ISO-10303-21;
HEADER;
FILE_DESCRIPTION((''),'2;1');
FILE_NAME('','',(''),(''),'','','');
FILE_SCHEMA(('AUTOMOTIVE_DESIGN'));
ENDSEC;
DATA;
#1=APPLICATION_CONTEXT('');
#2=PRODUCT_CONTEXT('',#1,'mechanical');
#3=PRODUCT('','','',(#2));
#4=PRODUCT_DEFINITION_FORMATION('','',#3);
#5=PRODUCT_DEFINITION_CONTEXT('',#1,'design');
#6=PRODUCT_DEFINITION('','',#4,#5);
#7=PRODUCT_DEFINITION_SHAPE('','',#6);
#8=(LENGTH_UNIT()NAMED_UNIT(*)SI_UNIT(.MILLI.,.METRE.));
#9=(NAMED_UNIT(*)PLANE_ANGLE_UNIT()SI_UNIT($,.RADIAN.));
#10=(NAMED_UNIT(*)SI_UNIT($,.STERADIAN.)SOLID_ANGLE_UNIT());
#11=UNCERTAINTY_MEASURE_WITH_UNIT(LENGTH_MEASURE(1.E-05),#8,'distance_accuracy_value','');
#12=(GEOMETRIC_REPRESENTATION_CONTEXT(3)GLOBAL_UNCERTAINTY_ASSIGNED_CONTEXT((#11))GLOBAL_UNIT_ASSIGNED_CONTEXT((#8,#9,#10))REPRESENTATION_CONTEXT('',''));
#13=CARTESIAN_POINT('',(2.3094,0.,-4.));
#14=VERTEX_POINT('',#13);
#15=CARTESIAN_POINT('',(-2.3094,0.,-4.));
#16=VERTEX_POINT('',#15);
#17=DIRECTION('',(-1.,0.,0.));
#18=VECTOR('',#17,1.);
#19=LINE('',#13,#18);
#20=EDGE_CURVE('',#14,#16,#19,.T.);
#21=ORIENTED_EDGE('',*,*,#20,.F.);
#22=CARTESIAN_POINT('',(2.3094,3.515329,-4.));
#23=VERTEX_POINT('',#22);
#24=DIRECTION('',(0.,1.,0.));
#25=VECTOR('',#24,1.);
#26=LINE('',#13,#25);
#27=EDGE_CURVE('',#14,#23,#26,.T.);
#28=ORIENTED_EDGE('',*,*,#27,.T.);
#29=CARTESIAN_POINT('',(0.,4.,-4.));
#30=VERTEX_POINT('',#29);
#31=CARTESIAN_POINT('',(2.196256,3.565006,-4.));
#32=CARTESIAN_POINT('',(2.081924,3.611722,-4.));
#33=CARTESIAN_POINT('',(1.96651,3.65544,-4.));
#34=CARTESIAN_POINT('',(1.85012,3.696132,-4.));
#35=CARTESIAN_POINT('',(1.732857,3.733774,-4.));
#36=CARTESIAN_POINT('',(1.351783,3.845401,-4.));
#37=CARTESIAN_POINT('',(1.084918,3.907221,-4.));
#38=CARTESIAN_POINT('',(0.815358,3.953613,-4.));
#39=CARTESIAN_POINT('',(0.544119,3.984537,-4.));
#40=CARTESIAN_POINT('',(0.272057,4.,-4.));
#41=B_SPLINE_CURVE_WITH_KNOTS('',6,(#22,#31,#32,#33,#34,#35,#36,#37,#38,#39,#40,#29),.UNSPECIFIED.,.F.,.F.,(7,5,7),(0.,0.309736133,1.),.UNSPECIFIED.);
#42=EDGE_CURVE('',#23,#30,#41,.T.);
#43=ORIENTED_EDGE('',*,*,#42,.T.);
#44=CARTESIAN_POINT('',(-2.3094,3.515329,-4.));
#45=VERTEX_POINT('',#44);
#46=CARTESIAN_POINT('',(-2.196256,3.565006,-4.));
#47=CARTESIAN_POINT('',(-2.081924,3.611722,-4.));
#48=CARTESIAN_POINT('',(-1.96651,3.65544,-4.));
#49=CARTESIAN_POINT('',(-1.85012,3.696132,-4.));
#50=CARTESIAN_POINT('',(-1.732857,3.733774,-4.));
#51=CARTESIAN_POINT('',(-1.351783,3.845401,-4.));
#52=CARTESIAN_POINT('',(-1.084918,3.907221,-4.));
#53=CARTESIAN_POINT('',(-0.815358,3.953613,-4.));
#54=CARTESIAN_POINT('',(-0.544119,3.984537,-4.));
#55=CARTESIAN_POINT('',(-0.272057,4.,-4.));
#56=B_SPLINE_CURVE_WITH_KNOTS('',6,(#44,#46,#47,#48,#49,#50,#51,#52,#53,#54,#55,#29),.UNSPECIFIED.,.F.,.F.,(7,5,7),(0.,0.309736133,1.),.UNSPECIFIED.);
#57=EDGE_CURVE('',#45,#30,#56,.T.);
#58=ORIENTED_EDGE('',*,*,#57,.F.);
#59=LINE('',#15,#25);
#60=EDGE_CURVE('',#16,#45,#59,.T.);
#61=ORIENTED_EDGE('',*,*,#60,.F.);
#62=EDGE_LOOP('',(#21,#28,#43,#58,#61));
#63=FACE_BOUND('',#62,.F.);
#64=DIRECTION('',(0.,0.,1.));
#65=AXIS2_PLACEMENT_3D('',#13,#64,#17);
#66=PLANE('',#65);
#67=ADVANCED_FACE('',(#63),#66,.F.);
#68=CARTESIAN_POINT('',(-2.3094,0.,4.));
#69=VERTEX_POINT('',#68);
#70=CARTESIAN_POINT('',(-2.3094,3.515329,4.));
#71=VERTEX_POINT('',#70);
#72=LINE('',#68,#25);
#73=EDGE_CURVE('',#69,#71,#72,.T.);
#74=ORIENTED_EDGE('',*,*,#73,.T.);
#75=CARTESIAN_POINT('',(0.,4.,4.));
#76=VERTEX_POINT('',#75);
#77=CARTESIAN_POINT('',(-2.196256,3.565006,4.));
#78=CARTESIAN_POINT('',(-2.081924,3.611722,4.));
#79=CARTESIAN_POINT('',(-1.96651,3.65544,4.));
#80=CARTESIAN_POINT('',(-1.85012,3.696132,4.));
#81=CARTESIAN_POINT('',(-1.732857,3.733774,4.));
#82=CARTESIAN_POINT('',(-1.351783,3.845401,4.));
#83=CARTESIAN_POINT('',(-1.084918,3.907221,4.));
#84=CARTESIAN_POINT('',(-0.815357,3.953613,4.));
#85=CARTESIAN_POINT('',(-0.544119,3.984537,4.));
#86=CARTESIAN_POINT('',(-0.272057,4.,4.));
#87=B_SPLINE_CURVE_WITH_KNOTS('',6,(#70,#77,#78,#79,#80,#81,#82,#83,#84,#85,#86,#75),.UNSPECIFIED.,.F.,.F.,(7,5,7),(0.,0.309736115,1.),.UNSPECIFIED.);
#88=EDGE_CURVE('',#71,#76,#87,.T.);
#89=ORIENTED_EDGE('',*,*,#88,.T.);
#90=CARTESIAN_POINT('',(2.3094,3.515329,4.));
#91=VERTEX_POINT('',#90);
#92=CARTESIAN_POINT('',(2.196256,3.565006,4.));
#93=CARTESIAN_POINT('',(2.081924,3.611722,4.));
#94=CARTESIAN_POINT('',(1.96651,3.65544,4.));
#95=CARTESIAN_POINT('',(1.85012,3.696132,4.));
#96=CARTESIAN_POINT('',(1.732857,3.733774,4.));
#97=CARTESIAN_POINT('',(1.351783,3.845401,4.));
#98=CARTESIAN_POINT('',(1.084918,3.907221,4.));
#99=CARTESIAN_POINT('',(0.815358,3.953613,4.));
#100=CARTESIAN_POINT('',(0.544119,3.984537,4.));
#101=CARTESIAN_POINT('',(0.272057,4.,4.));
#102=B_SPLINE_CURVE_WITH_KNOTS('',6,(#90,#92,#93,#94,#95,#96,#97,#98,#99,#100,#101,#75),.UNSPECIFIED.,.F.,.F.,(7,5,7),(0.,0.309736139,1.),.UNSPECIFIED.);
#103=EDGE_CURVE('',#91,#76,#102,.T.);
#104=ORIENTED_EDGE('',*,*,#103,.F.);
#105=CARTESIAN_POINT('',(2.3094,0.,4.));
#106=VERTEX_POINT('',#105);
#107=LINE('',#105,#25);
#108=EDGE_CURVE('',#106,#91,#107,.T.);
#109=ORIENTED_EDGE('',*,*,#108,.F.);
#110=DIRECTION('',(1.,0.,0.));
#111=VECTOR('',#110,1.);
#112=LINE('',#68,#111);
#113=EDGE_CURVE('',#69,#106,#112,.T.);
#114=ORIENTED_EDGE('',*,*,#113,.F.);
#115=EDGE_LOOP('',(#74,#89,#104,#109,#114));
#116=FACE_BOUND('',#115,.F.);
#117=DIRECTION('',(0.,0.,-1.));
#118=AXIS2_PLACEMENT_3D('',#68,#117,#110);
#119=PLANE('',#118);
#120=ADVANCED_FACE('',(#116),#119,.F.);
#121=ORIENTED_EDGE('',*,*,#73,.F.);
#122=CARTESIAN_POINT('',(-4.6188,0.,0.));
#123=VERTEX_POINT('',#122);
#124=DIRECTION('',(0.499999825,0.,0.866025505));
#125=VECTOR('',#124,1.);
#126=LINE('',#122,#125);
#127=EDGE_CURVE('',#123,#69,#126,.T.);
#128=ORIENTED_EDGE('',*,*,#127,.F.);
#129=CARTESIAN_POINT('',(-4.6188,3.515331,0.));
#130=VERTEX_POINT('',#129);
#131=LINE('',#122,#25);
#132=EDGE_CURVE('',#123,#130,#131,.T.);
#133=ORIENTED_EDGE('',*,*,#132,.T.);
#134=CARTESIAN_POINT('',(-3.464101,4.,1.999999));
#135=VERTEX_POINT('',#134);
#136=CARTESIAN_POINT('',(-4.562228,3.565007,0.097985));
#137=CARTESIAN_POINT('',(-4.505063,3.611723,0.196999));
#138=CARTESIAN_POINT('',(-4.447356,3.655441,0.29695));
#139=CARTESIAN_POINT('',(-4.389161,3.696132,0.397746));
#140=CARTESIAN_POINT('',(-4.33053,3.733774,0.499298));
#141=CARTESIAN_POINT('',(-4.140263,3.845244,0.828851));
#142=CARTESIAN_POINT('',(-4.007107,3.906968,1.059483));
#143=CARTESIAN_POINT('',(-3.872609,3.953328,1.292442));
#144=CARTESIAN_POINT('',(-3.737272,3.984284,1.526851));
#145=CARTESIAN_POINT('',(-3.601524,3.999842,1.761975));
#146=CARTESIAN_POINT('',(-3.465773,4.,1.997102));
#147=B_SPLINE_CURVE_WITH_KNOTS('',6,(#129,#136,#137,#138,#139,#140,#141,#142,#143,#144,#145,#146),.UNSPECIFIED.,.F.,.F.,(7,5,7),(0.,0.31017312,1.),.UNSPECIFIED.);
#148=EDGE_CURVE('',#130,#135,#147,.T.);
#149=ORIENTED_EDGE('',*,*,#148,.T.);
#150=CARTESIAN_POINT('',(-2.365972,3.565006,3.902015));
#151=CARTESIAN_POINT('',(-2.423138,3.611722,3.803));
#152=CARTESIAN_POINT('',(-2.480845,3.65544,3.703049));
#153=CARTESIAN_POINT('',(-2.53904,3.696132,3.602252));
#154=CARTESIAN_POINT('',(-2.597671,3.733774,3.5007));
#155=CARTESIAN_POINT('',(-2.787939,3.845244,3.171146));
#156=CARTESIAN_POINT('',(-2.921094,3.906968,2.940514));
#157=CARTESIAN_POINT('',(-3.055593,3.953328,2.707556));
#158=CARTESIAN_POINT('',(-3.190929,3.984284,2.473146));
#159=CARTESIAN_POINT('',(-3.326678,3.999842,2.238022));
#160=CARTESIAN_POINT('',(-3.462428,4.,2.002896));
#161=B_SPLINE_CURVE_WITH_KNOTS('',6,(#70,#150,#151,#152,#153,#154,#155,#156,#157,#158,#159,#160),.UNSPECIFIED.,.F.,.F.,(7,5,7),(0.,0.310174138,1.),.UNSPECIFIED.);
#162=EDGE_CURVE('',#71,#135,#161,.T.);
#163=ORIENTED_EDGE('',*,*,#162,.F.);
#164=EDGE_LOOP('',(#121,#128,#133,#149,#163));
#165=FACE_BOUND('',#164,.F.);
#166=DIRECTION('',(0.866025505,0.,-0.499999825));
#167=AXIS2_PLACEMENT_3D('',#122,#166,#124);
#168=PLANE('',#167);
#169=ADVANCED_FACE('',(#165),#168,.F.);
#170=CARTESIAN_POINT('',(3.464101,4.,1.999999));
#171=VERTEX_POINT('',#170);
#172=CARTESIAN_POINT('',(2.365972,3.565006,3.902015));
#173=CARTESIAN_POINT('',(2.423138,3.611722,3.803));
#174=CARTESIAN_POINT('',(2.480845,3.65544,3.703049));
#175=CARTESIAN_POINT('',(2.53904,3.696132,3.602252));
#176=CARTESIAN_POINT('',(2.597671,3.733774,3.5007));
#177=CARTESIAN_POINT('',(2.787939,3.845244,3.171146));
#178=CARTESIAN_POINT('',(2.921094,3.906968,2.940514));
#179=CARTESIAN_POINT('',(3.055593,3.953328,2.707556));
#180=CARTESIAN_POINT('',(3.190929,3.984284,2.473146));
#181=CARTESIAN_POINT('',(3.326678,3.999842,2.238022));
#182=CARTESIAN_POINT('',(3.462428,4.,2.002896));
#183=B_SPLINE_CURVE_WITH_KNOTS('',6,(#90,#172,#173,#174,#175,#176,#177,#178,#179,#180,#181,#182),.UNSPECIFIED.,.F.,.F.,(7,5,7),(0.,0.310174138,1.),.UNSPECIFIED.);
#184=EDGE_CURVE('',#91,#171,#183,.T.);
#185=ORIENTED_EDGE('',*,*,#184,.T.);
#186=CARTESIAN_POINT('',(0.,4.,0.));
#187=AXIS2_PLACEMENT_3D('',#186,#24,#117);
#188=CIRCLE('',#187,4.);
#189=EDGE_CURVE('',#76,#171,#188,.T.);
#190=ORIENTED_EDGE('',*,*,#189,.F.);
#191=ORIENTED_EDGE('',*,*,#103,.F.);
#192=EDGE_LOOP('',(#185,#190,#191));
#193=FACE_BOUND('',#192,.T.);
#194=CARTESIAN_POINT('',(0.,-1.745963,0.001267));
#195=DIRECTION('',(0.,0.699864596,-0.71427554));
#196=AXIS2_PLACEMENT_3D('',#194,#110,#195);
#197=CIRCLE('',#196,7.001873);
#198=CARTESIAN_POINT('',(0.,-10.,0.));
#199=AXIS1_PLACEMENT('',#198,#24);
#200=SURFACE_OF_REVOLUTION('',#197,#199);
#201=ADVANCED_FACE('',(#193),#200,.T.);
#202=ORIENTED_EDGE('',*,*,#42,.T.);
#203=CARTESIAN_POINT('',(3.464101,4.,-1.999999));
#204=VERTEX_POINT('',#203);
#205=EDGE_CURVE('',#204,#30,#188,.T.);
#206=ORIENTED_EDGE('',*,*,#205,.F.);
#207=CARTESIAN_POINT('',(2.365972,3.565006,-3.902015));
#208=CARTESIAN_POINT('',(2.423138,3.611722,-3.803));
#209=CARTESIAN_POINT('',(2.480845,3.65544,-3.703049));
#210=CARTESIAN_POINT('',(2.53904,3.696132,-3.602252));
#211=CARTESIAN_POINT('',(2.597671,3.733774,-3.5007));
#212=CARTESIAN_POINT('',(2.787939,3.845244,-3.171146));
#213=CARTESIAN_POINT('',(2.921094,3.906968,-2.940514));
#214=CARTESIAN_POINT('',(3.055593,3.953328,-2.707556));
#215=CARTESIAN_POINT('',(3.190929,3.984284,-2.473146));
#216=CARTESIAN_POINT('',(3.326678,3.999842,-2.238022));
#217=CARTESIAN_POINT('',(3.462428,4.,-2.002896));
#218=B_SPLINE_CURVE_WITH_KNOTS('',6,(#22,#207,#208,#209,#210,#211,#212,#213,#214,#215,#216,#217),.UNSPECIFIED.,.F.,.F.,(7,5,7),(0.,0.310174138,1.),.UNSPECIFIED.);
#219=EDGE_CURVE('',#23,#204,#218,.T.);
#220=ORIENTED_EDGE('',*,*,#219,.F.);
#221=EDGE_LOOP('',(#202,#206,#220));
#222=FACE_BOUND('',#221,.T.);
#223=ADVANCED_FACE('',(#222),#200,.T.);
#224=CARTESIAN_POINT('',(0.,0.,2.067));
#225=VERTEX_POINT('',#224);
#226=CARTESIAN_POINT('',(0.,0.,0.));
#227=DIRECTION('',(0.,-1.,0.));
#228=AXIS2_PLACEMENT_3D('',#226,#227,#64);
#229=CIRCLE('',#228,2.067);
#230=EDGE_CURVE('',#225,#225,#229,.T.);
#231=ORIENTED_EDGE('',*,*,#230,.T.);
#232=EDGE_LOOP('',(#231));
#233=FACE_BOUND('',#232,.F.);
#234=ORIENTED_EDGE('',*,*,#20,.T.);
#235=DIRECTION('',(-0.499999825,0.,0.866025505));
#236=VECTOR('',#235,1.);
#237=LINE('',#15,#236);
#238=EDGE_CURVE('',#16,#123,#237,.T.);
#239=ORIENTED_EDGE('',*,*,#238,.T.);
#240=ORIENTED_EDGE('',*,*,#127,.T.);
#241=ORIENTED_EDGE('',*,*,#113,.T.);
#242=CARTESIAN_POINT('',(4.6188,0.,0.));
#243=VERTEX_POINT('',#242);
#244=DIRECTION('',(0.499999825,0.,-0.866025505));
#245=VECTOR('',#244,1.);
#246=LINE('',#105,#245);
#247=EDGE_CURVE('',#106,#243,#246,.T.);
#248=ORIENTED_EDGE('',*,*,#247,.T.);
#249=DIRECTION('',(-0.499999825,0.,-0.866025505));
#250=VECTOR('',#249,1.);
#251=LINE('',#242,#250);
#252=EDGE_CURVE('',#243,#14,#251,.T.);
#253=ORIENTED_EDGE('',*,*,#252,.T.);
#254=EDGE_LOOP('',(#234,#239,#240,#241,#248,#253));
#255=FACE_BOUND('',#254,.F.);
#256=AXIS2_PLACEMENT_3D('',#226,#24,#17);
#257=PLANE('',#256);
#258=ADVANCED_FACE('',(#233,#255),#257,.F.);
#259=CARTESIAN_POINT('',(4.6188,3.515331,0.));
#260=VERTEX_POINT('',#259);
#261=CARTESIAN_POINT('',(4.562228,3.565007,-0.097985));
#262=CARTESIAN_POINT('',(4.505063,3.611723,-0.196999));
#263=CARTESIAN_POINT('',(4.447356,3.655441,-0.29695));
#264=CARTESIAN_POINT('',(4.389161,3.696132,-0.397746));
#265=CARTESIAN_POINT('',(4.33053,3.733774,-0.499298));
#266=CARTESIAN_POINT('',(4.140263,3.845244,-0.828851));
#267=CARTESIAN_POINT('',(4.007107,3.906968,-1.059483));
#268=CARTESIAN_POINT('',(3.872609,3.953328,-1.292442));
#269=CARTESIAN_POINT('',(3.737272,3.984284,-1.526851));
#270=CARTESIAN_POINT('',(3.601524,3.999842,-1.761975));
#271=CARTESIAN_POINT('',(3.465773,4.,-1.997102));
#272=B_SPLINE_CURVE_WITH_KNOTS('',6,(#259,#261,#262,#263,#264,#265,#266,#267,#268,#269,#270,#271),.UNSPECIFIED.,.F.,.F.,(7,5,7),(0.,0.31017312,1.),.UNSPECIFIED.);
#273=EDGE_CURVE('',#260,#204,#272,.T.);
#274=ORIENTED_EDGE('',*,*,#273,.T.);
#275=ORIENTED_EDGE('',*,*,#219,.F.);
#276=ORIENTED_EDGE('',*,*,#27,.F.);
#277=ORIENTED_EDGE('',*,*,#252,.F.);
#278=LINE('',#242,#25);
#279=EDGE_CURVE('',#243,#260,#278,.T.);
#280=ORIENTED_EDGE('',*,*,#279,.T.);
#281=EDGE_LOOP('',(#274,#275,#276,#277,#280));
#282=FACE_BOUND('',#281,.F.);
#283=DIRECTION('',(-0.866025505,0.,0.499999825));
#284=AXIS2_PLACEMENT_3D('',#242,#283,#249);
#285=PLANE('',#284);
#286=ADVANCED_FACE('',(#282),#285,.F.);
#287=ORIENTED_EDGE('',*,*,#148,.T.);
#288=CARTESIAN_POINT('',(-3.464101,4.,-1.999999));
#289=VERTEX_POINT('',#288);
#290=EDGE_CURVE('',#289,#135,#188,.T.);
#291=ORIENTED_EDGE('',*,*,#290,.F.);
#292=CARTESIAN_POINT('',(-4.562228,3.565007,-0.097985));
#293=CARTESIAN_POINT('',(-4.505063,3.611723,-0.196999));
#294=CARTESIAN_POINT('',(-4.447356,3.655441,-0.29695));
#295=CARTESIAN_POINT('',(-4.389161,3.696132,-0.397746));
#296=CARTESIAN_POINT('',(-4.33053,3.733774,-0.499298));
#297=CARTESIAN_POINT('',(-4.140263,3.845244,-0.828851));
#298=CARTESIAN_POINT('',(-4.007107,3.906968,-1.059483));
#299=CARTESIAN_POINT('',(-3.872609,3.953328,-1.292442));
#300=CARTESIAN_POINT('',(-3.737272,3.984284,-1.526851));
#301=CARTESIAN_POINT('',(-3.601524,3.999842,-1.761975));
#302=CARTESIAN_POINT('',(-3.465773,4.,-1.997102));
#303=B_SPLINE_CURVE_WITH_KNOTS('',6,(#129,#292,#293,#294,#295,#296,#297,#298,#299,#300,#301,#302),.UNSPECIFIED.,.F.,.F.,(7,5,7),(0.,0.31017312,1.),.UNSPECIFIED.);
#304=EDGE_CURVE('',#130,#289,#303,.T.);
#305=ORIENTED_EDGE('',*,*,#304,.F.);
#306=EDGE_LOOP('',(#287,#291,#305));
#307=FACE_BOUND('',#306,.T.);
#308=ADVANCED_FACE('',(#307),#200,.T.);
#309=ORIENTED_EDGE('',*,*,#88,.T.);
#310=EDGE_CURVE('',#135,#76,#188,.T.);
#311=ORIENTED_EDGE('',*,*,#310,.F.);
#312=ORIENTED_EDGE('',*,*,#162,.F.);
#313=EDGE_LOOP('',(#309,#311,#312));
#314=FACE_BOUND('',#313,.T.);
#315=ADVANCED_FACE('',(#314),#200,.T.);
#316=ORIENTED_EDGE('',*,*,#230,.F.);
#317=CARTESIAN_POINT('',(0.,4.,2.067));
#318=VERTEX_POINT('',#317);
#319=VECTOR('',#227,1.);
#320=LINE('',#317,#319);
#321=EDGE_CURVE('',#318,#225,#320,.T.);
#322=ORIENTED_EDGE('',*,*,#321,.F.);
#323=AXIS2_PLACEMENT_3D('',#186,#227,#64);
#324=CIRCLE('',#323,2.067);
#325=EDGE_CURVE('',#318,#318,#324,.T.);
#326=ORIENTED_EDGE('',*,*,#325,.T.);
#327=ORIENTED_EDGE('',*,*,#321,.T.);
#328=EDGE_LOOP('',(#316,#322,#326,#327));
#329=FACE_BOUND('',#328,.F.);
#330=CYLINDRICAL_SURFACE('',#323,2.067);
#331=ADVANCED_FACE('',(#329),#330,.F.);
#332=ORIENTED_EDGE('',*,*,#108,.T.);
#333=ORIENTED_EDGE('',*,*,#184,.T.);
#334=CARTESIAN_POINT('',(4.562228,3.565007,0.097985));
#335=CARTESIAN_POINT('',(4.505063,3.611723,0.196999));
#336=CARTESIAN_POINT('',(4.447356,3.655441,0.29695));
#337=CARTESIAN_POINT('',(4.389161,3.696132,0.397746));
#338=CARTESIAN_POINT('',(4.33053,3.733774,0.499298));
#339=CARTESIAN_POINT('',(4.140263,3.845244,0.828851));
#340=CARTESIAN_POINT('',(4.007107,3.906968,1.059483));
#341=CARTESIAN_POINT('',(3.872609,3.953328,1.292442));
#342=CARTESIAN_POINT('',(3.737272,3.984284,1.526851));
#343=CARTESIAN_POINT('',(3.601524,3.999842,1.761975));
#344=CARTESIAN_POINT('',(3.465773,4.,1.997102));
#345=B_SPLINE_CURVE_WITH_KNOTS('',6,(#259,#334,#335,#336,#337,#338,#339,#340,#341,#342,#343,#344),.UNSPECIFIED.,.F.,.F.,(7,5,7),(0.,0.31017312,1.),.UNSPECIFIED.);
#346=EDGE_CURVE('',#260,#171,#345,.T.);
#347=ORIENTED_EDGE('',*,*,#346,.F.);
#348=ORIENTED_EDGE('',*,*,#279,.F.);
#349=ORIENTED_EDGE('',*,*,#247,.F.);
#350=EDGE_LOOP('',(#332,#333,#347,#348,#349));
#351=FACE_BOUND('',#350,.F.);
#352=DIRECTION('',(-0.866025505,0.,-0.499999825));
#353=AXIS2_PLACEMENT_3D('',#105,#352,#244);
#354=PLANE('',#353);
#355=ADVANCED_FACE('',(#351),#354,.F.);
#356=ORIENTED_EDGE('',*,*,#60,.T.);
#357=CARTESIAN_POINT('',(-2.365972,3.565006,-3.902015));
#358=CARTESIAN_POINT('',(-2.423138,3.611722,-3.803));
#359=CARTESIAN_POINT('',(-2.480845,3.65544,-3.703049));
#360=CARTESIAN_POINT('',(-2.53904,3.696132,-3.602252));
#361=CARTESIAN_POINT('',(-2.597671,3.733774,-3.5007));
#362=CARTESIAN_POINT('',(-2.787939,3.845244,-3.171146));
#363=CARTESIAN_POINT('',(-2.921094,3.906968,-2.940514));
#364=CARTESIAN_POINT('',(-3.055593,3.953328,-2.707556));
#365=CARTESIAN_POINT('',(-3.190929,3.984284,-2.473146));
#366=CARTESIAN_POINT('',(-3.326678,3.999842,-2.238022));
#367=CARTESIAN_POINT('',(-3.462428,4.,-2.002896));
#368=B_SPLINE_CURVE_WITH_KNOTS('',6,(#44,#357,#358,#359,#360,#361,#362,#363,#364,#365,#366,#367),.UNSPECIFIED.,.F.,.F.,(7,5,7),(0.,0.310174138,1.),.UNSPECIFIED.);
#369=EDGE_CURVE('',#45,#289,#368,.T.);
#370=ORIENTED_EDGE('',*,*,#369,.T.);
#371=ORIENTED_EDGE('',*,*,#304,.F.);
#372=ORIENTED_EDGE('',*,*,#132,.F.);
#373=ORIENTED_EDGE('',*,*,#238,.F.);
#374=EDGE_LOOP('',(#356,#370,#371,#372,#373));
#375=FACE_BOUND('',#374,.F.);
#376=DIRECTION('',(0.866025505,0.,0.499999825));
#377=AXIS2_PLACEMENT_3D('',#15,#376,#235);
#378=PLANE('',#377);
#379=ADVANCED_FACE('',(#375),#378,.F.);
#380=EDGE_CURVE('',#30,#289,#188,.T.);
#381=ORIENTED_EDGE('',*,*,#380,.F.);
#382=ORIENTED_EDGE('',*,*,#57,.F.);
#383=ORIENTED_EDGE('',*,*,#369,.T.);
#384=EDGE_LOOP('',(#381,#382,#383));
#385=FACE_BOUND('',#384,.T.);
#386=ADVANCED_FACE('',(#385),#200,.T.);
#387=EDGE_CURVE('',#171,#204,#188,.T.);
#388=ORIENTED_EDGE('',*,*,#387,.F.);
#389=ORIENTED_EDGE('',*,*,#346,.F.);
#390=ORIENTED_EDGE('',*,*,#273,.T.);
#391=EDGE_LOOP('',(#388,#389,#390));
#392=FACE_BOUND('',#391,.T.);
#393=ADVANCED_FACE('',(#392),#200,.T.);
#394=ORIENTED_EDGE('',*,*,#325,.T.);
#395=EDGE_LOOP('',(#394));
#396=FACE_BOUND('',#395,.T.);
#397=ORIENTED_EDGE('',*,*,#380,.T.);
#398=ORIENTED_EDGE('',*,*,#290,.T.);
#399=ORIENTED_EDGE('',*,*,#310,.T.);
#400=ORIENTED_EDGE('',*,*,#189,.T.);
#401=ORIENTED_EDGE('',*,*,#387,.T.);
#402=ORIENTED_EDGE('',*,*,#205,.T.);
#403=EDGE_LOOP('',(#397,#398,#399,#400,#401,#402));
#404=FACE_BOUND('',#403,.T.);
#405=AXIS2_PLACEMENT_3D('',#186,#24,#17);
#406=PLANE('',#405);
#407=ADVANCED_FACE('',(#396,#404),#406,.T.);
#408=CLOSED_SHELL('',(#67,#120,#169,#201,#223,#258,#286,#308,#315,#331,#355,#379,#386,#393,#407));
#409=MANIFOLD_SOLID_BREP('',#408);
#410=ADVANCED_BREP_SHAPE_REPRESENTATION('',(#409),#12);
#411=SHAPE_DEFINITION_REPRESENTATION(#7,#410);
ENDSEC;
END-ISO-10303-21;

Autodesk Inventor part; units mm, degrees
ref_plane "YZ Plane" through (0, 0, 0) normal (1, 0, 0) x (0, 1, 0)
ref_plane "XZ Plane" through (0, 0, 0) normal (0, 1, 0) x (-1, 0, 0)
ref_plane "XY Plane" through (0, 0, 0) normal (0, 0, 1) x (1, 0, 0)
sketch "スケッチ1" plane through (0, 0, 0) normal (0, 1, 0) x (-1, 0, 0)
  circle A0 centre (0, 0) radius 4.6188 construction
  line L0 (4.6188, 0) -> (2.3094, 4)
  line L1 (2.3094, 4) -> (-2.3094, 4)
  line L2 (-2.3094, 4) -> (-4.6188, 0)
  line L3 (-4.6188, 0) -> (-2.3094, -4)
  line L4 (-2.3094, -4) -> (2.3094, -4)
  line L5 (2.3094, -4) -> (4.6188, 0)
  dimension "d0" = 8
extrude "押し出し1" add sketch "スケッチ1" along normal blind 4
sketch "スケッチ2" plane through (0, 4, 0) normal (0, 1, 0) x (1, 0, 0)
  point P0 (0, 0)
  point P1 (0, 0)
hole "穴1" at (0, 4, 0) direction (0, -1, 0) diameter 4.134 end through all thread size "M5x0.8" class "6H" standard "ISO Metric profile"
sketch "スケッチ3" plane through (0, 0, 0) normal (1, 0, 0) x (0, 1, 0)
  arc A0 (3.1544, -5) -> (4, -4) centre (-1.7446, 0) ccw
  line L0 (0, -4) -> (4, -4) construction
  line L1 (4, -5) -> (3.1544, -5)
  line L2 (4, 2.067) -> (4, -2.067) construction
  line L3 (4, -4) -> (4, -5)
  line L4 (-4.0084, 0) -> (4.4272, 0) projected
  point P0 (0, 0)
  point P1 (4, 0)
  dimension "d10" = 4
  dimension "d11" = 7
  dimension "d12" = 1
revolve "回転1" cut sketch "スケッチ3" angle 360 about axis through (0, -10, 0) along (0, 1, 0)
properties part number "M3-HexaNut-type2"
